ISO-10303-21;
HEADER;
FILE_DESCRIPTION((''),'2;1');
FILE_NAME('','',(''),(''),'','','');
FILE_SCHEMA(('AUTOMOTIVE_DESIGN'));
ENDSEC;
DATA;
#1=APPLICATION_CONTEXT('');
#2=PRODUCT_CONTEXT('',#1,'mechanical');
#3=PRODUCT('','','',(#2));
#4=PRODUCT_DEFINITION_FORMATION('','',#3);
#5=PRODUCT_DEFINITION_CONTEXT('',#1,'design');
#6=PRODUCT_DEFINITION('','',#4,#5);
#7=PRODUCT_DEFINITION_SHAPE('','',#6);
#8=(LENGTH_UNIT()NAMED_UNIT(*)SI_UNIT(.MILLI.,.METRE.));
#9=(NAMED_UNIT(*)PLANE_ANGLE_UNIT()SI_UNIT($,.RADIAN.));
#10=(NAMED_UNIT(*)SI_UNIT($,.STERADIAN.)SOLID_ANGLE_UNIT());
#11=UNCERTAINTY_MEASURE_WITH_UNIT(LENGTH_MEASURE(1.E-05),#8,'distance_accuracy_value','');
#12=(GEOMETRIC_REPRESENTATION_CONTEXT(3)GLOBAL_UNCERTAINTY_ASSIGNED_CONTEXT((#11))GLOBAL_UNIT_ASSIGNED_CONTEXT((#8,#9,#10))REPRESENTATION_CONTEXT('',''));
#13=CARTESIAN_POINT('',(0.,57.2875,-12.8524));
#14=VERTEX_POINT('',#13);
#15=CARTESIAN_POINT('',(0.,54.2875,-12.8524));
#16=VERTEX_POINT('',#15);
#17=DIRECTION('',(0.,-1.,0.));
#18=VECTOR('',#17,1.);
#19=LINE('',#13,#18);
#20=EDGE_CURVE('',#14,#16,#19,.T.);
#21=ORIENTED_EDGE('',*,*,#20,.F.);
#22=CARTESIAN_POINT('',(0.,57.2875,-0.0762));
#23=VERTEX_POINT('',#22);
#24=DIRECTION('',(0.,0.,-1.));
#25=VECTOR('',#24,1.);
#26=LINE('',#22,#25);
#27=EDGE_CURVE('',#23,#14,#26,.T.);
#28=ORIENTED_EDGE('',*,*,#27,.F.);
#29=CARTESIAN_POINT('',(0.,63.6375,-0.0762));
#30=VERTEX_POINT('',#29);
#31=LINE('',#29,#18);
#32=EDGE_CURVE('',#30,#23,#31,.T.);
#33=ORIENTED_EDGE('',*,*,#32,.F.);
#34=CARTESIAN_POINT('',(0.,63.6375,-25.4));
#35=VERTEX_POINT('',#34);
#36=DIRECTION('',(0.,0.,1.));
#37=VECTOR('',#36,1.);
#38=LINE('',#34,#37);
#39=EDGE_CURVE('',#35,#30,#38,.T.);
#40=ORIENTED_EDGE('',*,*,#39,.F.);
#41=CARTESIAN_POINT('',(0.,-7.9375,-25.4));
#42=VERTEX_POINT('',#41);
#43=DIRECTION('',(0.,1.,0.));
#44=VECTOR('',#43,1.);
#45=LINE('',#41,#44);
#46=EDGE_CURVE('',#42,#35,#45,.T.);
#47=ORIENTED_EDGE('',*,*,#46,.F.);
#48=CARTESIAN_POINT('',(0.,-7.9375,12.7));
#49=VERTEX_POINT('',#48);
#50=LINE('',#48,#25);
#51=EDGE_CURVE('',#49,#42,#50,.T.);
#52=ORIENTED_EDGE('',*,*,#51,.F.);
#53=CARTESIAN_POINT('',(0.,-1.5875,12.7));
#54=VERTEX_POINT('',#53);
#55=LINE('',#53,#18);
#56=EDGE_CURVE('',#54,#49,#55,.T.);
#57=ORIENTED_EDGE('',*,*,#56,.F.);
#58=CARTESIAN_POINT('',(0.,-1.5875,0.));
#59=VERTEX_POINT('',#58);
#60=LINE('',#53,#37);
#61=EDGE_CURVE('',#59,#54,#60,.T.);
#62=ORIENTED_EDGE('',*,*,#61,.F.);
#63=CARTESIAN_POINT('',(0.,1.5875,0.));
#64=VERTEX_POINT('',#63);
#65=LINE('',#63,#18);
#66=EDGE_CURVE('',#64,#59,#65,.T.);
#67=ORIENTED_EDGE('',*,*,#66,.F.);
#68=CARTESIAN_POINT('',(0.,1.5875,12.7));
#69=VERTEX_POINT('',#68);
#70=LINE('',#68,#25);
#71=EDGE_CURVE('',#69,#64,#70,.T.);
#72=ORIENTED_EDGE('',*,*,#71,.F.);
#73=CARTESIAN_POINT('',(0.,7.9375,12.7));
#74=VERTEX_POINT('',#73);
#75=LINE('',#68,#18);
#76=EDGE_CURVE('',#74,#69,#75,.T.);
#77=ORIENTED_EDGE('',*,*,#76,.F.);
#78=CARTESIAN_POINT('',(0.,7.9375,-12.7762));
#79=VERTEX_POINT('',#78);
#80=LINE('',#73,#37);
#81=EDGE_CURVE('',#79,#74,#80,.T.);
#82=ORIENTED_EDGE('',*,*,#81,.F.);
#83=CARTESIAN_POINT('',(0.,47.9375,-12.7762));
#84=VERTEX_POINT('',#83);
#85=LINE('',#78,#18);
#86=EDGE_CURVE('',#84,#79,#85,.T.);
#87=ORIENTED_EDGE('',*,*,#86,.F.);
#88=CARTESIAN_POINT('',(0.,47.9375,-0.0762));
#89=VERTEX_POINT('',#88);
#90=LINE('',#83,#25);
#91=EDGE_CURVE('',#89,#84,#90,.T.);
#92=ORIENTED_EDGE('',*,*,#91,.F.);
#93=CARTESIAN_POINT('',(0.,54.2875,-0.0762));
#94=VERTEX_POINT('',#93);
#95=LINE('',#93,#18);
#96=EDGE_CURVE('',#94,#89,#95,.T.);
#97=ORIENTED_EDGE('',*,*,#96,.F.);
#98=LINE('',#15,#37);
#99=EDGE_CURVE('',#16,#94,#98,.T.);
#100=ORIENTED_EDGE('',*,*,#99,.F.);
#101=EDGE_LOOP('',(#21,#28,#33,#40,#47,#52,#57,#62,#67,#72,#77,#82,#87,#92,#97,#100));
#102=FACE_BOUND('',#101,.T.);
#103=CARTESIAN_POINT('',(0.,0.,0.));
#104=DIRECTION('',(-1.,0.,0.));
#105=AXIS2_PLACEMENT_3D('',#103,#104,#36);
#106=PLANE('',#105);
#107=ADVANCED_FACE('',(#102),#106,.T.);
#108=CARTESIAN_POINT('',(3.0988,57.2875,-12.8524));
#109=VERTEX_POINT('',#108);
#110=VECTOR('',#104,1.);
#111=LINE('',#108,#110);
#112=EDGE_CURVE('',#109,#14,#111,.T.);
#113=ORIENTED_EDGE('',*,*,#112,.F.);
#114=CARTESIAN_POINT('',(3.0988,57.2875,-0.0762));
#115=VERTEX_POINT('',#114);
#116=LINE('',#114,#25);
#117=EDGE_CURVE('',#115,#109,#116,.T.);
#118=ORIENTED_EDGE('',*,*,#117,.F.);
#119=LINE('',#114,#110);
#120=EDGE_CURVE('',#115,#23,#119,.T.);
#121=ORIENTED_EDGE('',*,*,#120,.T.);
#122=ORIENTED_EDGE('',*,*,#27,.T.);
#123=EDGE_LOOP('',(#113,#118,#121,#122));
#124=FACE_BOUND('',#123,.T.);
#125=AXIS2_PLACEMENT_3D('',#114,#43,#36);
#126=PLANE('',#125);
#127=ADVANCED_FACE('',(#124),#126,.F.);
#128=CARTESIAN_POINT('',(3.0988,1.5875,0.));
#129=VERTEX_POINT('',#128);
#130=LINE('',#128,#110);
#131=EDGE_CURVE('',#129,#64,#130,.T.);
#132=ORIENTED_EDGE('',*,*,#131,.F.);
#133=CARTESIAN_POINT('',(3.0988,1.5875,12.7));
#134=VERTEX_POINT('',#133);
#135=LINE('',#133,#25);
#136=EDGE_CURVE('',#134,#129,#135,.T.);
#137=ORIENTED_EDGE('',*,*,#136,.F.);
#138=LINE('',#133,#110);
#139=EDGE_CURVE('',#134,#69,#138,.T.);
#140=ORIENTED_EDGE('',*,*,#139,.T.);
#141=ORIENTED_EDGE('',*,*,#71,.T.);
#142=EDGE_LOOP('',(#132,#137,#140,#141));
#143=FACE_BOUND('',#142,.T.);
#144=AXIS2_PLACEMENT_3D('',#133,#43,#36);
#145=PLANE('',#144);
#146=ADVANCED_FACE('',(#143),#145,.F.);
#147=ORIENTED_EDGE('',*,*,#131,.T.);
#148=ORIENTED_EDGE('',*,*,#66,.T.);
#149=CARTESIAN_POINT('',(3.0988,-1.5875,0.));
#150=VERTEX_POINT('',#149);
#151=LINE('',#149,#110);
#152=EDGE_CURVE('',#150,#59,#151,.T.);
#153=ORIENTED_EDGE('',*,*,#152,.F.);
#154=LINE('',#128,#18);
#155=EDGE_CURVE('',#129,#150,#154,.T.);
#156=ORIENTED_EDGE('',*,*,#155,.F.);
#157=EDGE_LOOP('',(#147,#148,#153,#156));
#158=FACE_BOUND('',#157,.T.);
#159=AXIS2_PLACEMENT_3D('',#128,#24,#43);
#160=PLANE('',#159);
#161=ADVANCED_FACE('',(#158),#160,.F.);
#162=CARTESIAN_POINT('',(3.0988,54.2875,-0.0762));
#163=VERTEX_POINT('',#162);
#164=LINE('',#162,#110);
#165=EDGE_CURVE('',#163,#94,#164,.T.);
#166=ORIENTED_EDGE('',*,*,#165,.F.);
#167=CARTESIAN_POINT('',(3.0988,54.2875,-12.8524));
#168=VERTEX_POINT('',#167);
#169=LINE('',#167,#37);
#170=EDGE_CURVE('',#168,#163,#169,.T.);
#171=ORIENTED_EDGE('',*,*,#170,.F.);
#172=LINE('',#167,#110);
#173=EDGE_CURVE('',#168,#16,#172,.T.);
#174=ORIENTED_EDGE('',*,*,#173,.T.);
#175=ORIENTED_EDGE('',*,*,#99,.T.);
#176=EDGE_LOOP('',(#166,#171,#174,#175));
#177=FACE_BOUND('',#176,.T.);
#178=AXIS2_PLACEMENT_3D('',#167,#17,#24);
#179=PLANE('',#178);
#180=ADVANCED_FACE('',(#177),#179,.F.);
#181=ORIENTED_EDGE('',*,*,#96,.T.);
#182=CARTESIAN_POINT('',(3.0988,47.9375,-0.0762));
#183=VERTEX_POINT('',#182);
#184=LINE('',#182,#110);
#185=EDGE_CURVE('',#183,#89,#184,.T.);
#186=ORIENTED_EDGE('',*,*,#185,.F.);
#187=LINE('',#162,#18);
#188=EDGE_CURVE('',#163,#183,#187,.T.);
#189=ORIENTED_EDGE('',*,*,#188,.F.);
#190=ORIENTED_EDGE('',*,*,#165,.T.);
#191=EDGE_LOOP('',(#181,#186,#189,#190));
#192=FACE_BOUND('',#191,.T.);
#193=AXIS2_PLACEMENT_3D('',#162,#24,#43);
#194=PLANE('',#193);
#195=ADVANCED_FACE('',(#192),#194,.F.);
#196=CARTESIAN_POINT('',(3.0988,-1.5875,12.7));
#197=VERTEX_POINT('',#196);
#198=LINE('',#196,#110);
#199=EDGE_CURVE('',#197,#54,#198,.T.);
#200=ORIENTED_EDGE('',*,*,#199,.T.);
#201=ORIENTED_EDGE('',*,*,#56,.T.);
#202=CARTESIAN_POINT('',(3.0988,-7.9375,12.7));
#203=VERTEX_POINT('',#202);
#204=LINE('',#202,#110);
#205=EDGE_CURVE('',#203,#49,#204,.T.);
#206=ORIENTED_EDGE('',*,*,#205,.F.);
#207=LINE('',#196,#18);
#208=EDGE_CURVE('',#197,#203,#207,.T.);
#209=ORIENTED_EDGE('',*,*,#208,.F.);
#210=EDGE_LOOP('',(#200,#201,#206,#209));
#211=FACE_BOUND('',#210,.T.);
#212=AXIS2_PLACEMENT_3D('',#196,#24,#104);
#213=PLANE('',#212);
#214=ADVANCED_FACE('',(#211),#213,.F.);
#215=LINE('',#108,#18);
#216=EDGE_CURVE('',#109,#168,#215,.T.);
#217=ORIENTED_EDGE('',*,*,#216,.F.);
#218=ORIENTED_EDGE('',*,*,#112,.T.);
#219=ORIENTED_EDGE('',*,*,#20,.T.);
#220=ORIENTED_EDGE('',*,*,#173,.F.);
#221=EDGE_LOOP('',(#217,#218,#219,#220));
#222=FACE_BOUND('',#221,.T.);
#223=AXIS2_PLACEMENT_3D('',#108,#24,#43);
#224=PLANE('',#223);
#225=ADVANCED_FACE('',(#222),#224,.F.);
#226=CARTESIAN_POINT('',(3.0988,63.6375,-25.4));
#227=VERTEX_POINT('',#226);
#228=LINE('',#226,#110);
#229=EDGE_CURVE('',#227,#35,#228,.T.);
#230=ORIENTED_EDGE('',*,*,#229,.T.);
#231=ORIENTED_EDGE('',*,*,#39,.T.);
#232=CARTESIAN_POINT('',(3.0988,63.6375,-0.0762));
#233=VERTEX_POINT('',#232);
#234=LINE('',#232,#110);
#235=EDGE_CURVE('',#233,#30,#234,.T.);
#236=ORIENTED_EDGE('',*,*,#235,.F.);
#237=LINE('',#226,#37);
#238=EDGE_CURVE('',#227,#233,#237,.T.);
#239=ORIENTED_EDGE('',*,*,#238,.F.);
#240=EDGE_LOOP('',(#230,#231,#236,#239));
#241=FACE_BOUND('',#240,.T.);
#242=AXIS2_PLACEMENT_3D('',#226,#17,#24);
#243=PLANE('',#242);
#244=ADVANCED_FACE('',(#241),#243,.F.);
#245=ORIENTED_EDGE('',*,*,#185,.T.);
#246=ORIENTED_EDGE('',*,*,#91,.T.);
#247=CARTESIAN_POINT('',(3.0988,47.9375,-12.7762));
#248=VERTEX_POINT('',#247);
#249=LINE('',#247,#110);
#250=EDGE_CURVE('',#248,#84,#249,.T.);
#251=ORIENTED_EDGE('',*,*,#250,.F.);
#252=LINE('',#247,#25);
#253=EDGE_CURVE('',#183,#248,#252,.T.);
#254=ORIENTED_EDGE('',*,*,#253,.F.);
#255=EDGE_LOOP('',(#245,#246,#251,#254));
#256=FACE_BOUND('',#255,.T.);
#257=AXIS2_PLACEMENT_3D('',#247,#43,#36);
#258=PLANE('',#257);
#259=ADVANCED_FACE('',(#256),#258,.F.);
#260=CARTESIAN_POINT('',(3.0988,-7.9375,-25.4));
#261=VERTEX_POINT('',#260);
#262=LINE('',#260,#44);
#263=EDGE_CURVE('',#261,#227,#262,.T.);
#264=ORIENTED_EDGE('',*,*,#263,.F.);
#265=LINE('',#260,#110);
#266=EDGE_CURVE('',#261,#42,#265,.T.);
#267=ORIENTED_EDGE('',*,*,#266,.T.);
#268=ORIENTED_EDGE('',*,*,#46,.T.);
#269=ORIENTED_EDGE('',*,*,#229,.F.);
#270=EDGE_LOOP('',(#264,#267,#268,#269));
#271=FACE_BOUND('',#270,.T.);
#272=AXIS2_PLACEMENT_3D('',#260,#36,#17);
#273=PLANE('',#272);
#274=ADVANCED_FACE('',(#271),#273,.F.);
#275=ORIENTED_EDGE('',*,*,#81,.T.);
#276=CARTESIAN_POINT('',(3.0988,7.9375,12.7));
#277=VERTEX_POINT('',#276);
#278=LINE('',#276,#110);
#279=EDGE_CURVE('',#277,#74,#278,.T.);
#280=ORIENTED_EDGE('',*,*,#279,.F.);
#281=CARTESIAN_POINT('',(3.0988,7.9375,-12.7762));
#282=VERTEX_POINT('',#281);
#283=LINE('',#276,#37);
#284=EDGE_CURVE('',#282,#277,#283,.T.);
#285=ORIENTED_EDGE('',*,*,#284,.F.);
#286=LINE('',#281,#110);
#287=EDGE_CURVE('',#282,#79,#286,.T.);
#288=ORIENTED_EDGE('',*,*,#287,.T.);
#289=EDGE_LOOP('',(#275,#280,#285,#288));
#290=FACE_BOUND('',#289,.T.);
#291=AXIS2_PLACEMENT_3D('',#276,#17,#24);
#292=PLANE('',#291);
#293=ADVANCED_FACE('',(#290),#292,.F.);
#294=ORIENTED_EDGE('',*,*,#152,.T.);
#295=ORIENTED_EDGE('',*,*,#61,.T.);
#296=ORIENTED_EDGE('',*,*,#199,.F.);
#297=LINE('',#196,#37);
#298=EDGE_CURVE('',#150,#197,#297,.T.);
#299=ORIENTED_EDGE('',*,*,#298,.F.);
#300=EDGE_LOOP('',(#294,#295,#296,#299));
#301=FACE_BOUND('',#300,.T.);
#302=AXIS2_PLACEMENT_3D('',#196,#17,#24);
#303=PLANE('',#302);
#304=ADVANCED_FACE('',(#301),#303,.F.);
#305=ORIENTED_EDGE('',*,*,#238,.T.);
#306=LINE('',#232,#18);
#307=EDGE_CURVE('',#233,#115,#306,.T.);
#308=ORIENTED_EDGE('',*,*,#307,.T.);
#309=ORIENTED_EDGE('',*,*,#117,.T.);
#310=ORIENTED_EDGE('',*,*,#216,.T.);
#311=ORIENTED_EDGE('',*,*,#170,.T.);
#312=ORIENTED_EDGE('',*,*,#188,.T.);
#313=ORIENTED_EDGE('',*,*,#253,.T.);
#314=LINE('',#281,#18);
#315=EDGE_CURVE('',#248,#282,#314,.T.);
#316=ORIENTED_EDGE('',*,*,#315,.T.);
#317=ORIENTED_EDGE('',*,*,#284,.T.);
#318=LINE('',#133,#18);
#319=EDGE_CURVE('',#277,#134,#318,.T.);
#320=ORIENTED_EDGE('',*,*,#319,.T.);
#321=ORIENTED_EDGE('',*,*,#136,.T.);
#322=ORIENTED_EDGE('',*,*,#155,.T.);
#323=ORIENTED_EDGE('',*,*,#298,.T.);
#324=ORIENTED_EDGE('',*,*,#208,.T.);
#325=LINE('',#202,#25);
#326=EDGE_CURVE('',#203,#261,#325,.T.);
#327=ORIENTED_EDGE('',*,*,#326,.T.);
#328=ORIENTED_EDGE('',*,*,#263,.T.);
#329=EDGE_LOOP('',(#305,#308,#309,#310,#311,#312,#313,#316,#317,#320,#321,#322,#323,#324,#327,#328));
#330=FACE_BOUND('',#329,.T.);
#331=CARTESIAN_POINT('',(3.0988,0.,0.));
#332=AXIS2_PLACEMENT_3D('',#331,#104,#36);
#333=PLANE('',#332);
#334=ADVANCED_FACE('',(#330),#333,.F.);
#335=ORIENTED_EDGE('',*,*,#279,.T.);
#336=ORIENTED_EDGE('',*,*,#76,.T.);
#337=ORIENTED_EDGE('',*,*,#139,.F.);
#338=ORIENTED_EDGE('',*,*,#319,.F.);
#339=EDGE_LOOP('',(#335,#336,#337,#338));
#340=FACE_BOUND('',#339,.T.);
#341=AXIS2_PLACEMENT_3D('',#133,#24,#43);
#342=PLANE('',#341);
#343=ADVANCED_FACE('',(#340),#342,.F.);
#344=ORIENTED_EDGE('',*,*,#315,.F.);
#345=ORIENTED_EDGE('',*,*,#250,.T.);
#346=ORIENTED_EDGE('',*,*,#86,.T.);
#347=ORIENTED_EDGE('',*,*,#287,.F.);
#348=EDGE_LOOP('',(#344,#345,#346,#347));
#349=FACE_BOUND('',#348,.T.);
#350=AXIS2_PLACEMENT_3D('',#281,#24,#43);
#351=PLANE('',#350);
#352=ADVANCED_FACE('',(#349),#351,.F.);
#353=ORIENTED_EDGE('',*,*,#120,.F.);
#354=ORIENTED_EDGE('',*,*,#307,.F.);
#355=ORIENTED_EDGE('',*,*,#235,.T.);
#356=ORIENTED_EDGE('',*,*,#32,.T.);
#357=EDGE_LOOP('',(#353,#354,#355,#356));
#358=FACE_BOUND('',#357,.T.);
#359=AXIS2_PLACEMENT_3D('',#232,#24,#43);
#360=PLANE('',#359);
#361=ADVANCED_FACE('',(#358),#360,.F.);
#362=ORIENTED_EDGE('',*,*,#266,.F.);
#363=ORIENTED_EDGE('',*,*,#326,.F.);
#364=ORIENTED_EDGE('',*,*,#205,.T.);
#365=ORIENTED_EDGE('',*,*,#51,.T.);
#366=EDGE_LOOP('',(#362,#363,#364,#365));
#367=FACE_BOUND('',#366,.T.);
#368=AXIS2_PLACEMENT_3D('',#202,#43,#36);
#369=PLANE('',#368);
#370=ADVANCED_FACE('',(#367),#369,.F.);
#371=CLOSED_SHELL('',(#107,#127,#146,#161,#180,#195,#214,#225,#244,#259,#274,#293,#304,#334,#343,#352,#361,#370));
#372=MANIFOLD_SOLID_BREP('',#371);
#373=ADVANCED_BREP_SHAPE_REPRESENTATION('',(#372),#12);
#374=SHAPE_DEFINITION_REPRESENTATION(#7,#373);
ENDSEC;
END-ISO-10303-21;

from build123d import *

# Parameters (mm, degrees)
BOSS_EXTRUDE1_DEPTH = 3.0988


with BuildPart() as part:
    # Sketch1 → Boss-Extrude1 (new body)
    with BuildSketch(Plane(origin=(0, 0, 0), x_dir=(0, 0, -1), z_dir=(1, 0, 0))):
        Polygon((-12.7, -1.5875), (-12.7, -7.9375), (25.4, -7.9375), (25.4, 63.637500096), (0.0762, 63.637500096), (0.0762, 57.287500096), (12.8524, 57.287500096), (12.8524, 54.2875), (0.0762, 54.2875), (0.0762, 47.9375), (12.7762, 47.9375), (12.7762, 7.9375), (-12.7, 7.9375), (-12.7, 1.5875), (0, 1.5875), (0, -1.5875), align=None)
    extrude(amount=BOSS_EXTRUDE1_DEPTH)


solid = part.part
